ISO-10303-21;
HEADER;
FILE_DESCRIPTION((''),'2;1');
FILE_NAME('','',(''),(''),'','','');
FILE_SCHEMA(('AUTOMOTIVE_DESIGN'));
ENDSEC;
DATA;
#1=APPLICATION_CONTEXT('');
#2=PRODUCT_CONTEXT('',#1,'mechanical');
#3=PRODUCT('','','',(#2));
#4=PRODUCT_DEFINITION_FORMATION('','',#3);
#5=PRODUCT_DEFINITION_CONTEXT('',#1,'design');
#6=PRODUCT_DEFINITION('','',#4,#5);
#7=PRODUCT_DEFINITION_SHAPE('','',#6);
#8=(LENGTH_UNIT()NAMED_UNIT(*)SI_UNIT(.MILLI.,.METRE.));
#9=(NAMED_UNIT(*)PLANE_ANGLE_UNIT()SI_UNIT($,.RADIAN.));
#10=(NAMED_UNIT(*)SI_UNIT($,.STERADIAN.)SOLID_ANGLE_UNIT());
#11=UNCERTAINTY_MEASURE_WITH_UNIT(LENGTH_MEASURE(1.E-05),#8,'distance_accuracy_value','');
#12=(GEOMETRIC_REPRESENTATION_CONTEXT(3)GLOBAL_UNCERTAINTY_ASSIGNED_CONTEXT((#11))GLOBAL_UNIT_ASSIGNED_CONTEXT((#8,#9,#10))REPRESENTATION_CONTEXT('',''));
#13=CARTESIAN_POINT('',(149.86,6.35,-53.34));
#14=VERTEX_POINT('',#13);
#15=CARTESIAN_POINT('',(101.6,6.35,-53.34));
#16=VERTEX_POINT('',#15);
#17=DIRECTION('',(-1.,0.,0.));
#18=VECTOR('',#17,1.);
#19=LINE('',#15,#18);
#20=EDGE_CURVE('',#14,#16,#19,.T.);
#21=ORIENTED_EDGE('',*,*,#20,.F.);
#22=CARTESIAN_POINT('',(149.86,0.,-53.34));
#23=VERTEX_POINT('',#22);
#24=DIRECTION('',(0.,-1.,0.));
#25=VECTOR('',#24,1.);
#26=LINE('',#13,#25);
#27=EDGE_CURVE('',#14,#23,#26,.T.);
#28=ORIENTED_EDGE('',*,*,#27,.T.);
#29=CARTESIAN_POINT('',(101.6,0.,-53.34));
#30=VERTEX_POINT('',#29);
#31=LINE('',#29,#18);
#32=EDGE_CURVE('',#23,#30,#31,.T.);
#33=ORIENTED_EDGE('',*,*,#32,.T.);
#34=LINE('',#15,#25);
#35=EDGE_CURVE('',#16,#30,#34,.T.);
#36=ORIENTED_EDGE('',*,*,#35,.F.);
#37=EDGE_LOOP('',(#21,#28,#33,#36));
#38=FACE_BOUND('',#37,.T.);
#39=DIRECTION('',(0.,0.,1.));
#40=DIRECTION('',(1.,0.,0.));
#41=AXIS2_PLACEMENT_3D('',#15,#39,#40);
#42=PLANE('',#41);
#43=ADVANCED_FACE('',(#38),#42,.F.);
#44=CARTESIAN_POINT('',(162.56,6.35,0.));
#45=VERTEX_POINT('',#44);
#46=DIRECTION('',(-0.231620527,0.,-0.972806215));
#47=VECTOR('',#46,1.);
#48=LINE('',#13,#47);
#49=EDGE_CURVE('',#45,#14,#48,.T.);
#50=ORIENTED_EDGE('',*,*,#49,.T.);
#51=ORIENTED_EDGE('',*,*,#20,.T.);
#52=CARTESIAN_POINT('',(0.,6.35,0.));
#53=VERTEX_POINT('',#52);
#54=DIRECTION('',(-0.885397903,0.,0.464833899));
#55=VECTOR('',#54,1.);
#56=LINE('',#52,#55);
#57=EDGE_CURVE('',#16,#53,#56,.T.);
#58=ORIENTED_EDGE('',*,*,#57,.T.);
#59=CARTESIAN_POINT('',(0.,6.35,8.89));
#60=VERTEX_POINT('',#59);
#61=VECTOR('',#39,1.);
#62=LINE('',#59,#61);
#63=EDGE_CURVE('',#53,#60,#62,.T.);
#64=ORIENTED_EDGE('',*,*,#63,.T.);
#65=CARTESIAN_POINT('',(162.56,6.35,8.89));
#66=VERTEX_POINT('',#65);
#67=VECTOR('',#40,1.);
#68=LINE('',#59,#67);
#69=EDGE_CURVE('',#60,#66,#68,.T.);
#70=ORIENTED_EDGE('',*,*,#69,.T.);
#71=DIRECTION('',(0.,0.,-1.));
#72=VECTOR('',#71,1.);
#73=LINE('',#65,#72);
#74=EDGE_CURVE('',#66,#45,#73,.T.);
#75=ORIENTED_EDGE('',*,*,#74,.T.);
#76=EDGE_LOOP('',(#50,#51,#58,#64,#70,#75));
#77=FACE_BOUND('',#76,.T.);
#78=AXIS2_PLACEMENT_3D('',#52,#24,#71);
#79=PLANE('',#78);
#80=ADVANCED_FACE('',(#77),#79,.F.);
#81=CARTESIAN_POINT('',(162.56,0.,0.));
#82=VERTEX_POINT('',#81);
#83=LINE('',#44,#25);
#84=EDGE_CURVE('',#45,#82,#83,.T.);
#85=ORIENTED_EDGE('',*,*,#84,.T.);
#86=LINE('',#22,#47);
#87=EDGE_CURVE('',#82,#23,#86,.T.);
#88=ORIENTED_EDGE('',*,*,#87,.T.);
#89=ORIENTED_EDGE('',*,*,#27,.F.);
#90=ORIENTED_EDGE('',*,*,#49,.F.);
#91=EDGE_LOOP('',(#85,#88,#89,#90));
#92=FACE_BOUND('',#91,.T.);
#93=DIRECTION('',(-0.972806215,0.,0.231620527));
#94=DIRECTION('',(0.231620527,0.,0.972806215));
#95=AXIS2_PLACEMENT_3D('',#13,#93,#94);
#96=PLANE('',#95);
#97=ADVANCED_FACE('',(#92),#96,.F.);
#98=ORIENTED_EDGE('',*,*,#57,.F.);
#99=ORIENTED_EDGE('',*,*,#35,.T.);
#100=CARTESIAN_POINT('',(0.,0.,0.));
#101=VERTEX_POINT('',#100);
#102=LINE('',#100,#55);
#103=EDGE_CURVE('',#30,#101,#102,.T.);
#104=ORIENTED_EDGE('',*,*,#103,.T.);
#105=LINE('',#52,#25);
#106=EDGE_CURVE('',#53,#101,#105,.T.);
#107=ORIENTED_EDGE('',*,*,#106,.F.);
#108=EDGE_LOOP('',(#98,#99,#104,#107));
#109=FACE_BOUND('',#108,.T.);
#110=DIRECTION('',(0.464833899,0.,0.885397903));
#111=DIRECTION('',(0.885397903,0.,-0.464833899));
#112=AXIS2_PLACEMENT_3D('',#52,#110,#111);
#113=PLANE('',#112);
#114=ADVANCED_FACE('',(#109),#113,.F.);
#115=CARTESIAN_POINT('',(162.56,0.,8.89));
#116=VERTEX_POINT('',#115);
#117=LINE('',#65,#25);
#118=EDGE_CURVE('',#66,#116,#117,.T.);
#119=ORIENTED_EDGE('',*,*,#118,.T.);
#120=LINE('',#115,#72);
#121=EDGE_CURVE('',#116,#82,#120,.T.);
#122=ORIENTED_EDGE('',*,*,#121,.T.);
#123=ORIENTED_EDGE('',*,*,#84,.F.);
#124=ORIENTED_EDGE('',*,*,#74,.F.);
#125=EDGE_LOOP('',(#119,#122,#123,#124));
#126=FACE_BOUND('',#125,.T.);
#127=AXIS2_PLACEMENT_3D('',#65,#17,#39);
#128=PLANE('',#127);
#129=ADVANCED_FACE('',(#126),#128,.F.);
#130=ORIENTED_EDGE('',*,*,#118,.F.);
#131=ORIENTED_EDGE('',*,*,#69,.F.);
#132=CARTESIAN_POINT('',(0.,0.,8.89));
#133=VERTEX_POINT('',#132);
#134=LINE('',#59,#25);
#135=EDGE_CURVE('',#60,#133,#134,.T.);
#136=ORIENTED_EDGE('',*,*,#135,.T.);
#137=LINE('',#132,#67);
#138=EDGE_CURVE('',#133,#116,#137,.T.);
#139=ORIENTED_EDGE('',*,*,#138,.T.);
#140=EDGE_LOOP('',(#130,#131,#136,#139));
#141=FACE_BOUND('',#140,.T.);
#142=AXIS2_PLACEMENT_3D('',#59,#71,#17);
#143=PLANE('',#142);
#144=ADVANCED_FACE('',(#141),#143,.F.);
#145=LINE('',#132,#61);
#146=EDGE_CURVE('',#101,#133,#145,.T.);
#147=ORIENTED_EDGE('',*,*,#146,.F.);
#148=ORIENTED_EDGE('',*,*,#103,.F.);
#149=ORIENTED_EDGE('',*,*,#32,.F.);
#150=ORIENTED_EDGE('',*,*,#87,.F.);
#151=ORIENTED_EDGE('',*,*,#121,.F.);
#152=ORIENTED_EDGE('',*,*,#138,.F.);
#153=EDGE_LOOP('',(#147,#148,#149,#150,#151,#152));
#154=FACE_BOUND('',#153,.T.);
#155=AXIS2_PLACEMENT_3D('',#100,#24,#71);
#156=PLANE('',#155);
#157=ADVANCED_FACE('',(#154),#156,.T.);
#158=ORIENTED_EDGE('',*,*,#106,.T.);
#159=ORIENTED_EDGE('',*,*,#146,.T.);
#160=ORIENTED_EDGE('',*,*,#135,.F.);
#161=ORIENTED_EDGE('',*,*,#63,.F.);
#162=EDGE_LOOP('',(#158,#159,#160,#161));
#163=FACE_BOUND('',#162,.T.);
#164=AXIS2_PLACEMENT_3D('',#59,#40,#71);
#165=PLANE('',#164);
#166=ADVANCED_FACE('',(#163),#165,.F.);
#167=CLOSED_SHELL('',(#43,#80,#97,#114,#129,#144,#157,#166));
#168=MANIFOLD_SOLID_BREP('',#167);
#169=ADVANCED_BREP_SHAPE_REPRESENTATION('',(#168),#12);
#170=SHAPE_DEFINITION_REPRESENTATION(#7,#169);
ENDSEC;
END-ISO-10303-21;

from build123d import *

# Parameters (mm, degrees)
BOSS_EXTRUDE1_DEPTH = 6.35


with BuildPart() as part:
    # Sketch1 → Boss-Extrude1 (new body)
    with BuildSketch(Plane(origin=(0, 0, 0), x_dir=(1, 0, 0), z_dir=(0, 1, 0))):
        Polygon((0, 0), (101.6, 53.34), (149.86, 53.34), (162.56, 0), (162.56, -8.89), (0, -8.89), align=None)
    extrude(amount=BOSS_EXTRUDE1_DEPTH)


solid = part.part
